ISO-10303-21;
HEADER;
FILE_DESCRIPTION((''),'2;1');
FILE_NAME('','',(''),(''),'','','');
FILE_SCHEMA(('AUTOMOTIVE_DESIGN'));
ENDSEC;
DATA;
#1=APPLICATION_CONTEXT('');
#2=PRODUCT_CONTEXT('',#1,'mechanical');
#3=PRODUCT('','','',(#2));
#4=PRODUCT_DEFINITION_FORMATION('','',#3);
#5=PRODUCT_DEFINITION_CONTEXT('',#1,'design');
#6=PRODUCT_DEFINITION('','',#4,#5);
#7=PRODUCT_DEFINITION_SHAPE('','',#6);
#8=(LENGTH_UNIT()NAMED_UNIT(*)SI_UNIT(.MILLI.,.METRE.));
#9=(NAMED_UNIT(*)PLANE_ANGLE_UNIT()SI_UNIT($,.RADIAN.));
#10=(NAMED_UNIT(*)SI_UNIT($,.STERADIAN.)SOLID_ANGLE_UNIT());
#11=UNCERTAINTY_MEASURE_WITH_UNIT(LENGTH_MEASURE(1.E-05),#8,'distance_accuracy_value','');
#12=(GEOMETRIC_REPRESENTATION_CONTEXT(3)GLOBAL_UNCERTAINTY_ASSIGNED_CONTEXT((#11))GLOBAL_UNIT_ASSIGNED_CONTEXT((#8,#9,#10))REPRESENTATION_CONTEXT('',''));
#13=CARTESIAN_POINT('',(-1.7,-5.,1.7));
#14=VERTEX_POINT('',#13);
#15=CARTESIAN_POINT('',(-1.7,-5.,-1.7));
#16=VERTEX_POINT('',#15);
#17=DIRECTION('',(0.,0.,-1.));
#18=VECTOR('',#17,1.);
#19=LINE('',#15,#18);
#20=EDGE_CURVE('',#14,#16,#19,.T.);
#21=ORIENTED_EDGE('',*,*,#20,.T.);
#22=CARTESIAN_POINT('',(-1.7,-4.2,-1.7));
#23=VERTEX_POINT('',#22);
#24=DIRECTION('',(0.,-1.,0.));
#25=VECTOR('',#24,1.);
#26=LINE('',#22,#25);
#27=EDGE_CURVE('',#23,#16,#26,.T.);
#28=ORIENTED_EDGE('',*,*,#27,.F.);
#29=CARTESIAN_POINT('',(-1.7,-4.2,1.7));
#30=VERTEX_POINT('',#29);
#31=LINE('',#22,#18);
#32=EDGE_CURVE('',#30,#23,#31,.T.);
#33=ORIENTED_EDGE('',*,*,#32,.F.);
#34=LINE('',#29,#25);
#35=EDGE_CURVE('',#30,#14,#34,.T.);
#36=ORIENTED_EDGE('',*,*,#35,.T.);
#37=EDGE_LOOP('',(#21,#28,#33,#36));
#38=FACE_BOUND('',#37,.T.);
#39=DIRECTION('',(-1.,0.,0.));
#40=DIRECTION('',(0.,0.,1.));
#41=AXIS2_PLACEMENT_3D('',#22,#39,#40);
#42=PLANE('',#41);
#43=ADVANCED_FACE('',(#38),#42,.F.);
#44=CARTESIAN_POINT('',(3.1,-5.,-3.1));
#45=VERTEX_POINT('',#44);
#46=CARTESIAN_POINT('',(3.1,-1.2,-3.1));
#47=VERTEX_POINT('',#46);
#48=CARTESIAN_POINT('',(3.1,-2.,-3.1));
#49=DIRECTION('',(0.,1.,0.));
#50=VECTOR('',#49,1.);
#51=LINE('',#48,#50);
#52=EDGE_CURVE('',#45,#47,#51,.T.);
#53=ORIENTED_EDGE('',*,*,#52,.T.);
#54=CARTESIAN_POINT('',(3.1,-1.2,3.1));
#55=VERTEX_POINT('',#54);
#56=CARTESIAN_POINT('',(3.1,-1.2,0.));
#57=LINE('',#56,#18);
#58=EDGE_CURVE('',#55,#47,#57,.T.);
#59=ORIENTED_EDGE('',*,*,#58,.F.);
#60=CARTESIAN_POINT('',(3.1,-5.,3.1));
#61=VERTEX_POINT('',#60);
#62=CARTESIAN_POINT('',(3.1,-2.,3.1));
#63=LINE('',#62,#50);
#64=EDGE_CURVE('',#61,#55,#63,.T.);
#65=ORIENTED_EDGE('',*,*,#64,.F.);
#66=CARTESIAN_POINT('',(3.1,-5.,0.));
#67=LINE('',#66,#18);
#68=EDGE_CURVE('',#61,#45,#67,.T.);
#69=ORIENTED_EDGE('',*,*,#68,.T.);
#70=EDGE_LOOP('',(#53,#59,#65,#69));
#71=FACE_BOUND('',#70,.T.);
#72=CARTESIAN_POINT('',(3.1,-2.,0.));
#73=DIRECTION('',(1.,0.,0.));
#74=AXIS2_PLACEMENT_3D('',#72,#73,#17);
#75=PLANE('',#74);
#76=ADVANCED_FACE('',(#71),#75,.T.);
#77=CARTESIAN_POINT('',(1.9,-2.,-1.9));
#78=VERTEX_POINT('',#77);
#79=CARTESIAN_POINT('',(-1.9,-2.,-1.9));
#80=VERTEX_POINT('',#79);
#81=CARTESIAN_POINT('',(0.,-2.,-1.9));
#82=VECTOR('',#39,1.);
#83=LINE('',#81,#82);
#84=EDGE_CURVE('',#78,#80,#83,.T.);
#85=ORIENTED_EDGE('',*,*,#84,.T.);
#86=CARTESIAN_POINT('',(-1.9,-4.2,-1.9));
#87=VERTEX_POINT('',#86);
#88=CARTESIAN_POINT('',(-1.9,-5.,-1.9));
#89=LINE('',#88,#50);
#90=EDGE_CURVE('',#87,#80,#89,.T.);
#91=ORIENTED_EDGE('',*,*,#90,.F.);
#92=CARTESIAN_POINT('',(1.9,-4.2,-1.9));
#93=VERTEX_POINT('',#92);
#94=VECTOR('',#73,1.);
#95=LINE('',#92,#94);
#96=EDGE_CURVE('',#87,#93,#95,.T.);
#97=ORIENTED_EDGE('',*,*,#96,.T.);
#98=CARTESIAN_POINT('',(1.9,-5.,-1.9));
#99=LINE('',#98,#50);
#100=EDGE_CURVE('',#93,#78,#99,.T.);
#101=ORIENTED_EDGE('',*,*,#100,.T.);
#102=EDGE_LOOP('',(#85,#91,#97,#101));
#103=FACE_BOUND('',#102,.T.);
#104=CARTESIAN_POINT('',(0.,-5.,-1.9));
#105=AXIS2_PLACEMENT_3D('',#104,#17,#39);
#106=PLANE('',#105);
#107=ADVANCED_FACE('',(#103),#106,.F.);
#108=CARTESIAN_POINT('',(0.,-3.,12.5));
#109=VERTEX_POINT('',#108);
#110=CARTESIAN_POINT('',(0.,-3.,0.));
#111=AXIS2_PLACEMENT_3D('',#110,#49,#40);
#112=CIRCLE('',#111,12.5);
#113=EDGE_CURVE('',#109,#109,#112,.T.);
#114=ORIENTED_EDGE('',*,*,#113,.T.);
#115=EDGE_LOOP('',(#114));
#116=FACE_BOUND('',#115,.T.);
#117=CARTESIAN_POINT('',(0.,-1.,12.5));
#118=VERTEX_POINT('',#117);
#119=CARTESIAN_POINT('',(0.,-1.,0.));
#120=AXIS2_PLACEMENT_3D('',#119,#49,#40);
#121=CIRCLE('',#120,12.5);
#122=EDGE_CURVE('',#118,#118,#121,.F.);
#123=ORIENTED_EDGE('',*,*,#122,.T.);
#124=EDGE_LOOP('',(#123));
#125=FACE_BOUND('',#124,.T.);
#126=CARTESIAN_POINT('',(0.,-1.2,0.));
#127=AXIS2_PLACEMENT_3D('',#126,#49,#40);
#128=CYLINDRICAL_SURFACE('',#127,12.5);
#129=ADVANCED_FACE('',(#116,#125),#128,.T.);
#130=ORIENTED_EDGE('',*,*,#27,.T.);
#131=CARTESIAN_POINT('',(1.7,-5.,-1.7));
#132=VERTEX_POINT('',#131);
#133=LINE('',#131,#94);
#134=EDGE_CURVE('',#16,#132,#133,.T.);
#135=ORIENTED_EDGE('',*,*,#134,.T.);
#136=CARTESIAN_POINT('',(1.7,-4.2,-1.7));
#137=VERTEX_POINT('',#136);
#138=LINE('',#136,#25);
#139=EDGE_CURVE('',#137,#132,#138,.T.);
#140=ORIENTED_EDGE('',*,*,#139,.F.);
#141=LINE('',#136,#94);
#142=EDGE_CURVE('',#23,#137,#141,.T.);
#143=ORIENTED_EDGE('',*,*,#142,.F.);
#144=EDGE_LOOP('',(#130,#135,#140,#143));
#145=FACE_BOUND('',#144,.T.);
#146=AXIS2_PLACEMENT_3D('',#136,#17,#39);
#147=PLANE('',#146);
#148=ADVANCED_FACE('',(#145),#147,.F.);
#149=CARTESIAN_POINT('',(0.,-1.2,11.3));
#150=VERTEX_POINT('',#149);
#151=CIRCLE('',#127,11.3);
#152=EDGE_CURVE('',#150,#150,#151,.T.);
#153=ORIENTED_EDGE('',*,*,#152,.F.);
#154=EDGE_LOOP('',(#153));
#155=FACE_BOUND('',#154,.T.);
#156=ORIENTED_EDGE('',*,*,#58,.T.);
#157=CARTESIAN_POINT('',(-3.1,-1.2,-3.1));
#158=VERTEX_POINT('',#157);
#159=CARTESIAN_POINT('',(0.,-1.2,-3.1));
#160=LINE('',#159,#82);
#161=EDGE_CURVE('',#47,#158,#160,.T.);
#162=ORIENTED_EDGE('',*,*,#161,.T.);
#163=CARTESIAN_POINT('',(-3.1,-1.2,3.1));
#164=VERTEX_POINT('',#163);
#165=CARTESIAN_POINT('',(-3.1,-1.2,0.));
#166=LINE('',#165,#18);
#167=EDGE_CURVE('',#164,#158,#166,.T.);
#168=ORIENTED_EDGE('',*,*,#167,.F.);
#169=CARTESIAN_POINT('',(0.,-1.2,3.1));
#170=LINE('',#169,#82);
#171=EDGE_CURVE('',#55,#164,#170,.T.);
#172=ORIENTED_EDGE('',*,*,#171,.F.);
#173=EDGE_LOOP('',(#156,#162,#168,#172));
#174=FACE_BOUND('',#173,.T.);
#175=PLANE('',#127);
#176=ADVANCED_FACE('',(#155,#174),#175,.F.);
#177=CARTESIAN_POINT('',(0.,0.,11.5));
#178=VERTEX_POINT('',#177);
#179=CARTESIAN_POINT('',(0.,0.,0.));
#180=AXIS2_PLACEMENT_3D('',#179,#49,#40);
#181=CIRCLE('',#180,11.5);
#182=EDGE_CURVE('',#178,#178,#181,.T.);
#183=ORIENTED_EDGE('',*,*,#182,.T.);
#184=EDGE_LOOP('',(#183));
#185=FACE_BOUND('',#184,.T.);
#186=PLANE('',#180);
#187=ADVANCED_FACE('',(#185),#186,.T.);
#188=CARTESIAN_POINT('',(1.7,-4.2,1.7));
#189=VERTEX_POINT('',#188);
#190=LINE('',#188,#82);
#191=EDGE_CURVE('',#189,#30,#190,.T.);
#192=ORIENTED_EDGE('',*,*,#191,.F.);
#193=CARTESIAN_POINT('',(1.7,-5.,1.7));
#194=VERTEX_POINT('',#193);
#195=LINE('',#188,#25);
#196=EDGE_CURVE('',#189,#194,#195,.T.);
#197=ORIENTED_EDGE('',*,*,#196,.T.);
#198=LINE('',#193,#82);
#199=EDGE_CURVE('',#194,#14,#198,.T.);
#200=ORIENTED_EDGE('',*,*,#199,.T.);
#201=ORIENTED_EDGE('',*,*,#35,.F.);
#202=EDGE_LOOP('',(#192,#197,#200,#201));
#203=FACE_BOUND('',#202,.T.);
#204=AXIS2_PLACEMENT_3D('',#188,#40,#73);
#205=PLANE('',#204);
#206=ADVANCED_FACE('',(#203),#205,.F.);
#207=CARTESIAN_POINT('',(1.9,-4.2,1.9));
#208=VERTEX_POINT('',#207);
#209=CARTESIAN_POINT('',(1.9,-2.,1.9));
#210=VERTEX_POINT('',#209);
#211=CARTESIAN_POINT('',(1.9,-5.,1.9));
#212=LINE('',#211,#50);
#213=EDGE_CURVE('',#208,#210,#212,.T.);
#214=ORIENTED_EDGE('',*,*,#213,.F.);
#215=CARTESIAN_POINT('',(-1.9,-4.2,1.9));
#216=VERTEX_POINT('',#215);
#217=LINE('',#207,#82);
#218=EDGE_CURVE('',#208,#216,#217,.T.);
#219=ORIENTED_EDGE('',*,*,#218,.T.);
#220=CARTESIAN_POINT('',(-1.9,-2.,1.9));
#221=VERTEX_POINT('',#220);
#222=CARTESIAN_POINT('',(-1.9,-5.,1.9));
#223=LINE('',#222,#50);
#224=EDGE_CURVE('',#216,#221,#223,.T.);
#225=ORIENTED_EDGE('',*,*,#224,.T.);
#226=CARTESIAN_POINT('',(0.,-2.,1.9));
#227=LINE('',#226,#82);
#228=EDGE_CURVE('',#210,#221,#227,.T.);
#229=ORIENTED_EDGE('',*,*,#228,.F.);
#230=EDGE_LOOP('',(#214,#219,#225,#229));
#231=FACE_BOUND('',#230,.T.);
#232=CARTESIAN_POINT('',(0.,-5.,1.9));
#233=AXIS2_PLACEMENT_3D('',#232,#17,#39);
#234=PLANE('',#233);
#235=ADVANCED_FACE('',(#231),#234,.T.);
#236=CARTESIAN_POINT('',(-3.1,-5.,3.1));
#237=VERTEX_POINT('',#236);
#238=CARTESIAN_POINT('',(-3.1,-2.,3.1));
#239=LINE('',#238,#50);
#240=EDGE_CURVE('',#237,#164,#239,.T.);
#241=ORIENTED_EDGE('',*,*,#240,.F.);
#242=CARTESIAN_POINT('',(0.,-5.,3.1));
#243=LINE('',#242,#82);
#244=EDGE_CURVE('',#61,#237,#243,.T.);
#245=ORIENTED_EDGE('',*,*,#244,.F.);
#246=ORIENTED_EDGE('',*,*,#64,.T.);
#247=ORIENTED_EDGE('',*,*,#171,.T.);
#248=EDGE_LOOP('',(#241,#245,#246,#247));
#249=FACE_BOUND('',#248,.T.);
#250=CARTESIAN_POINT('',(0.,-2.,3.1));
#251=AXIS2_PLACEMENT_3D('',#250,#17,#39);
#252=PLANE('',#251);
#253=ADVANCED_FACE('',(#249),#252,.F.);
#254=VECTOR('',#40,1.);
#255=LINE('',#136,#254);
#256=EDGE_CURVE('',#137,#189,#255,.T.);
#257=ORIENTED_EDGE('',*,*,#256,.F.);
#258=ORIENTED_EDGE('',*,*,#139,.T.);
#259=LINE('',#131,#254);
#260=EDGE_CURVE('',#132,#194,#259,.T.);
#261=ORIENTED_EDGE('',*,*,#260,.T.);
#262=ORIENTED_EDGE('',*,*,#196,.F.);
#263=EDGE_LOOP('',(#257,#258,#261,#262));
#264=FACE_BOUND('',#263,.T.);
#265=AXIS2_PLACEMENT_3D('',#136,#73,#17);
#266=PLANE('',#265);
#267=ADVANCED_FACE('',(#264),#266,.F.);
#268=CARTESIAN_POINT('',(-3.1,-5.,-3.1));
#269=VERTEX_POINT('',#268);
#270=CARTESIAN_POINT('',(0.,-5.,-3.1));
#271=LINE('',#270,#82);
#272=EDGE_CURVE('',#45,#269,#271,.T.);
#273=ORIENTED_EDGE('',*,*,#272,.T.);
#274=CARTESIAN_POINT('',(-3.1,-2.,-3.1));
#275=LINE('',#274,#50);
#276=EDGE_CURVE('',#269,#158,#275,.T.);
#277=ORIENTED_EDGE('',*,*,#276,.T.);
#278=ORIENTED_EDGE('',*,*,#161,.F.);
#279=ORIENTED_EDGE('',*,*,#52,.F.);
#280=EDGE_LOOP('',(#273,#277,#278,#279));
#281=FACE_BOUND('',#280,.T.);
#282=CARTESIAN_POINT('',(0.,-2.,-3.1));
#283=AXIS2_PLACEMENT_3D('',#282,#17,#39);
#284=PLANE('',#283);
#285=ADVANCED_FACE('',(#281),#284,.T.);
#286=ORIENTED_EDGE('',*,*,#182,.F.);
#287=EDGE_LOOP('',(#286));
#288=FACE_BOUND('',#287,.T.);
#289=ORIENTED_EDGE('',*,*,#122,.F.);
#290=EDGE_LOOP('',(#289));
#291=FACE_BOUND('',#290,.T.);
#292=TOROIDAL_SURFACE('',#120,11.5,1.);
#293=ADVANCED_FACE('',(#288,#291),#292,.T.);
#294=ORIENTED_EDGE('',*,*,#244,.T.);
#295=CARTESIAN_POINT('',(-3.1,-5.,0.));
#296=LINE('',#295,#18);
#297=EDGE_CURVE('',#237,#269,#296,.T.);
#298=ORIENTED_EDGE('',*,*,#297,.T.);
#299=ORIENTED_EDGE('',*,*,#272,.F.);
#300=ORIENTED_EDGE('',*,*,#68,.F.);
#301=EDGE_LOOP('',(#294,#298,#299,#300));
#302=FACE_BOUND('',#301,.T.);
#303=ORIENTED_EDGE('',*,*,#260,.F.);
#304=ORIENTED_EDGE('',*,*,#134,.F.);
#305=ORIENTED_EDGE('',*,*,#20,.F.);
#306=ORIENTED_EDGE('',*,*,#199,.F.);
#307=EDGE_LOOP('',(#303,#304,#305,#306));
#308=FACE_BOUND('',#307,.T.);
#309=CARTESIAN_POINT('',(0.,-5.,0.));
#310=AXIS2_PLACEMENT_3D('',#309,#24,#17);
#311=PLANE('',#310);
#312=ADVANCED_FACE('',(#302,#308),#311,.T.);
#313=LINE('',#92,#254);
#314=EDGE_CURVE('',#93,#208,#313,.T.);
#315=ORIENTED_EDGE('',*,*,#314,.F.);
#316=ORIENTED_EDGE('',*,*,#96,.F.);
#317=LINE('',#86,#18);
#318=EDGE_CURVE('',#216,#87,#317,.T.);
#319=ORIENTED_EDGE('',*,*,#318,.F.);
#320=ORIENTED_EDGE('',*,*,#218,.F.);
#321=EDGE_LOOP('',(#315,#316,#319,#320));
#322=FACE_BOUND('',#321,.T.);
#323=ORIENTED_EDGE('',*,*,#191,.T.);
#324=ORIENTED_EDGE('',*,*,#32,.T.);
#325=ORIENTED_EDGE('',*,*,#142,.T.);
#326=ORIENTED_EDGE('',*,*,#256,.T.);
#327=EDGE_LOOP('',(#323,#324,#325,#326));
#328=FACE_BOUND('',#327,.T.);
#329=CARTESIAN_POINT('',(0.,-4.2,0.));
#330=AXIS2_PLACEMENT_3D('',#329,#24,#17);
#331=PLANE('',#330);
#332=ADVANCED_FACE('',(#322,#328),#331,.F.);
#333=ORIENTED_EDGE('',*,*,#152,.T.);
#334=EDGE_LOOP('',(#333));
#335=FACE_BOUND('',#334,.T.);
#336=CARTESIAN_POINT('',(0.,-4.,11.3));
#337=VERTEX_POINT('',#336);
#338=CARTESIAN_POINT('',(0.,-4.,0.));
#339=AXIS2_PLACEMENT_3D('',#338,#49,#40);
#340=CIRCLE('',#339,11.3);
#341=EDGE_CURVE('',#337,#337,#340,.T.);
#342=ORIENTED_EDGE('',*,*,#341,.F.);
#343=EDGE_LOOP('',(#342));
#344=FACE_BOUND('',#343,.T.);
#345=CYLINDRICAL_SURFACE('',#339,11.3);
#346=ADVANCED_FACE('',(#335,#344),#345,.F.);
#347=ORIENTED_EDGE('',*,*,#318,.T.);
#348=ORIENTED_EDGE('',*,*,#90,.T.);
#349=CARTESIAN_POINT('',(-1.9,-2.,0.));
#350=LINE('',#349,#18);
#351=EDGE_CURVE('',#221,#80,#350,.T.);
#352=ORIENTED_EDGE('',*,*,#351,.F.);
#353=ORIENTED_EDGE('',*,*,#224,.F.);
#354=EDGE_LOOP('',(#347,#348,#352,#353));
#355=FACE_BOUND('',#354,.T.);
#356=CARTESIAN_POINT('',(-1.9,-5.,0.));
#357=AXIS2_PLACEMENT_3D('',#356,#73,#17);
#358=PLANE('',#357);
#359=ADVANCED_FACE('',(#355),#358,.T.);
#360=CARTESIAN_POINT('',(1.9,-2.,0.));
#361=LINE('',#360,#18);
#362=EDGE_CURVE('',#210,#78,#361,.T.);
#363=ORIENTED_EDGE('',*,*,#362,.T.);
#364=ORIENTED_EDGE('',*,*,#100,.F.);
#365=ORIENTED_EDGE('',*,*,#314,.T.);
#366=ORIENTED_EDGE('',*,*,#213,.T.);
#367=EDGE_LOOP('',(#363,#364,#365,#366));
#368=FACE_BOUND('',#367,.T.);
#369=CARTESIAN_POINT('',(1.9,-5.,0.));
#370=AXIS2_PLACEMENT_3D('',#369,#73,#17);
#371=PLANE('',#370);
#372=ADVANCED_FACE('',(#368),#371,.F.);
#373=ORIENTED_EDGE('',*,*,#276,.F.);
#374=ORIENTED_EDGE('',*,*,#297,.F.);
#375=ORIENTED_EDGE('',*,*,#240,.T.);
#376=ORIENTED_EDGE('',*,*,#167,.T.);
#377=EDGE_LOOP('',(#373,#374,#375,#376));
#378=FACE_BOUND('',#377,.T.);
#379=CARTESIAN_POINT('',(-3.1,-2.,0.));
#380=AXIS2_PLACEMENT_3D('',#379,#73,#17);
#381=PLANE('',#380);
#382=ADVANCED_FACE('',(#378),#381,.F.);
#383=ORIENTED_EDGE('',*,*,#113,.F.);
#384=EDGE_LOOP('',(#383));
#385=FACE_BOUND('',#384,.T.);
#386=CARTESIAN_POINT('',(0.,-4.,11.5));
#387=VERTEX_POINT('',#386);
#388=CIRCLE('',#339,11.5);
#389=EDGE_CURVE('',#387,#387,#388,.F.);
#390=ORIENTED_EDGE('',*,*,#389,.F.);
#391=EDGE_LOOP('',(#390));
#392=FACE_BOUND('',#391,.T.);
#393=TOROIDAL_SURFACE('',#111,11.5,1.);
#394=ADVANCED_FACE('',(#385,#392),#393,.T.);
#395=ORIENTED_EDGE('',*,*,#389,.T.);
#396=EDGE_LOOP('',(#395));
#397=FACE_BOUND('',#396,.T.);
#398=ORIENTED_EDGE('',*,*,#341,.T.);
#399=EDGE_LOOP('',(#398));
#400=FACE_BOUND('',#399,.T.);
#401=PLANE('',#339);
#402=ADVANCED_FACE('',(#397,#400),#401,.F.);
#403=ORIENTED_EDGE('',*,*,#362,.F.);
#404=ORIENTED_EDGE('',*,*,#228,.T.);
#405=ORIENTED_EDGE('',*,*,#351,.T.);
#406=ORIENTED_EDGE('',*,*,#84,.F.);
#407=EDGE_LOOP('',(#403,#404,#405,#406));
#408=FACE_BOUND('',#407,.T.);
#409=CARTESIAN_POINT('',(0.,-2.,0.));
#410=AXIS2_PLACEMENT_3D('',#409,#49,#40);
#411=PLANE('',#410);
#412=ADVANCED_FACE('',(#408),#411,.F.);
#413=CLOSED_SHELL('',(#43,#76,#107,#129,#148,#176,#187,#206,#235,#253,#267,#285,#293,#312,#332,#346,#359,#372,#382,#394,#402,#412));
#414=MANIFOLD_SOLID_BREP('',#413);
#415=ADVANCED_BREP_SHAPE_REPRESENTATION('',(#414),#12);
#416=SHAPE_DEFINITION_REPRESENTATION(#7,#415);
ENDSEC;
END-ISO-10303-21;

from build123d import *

# Parameters (mm, degrees)
SKETCH_1_R      = 12.5
EXTRUDE_1_DEPTH = 1.2
SKETCH_1_3_R    = 12.5
SKETCH_1_3_R_2  = 11.3
EXTRUDE_2_DEPTH = 4
SKETCH_1_5_W    = 6.2
SKETCH_1_5_H    = 6.2
EXTRUDE_3_DEPTH = 2
EXTRUDE_START   = -2
SKETCH_1_6_W    = 6.2
SKETCH_1_6_H    = 6.2
SKETCH_1_6_W_2  = 3.8
SKETCH_1_6_H_2  = 3.8
EXTRUDE_4_DEPTH = 3
FILLET_1_R      = 1
SKETCH_2_W      = 3.8
SKETCH_2_H      = 3.8
SKETCH_2_W_2    = 3.4
SKETCH_2_H_2    = 3.4
EXTRUDE_5_DEPTH = 0.8


with BuildPart() as part:
    # Эскиз1 → Бобышка-Вытянуть1 (new body)
    with BuildSketch(Plane(origin=(0, 0, 0), x_dir=(1, 0, 0), z_dir=(0, 1, 0))):
        Circle(SKETCH_1_R)
    extrude(amount=-EXTRUDE_1_DEPTH)

    # Эскиз1<3> → Бобышка-Вытянуть2 (add)
    with BuildSketch(Plane(origin=(0, 0, 0), x_dir=(1, 0, 0), z_dir=(0, 1, 0))):
        Circle(SKETCH_1_3_R)
        Circle(SKETCH_1_3_R_2, mode=Mode.SUBTRACT)
    extrude(amount=-EXTRUDE_2_DEPTH)

    # Эскиз1<5> → Бобышка-Вытянуть3 (add)
    with BuildSketch(Plane(origin=(0, 0, 0), x_dir=(1, 0, 0), z_dir=(0, 1, 0))):
        Rectangle(SKETCH_1_5_W, SKETCH_1_5_H)
    extrude(amount=-EXTRUDE_3_DEPTH)

    # Эскиз1<6> → Бобышка-Вытянуть4 (add)
    with BuildSketch(Plane(origin=(0, 0, 0), x_dir=(1, 0, 0), z_dir=(0, 1, 0)).offset(EXTRUDE_START)):
        Rectangle(SKETCH_1_6_W, SKETCH_1_6_H)
        Rectangle(SKETCH_1_6_W_2, SKETCH_1_6_H_2, mode=Mode.SUBTRACT)
    extrude(amount=-EXTRUDE_4_DEPTH)

    # Скругление1
    fillet_1_edges = [part.edges().sort_by_distance(p)[0] for p in [
        (-12.5, 0, 0),
        (-12.5, -4, 0),
    ]]
    fillet(fillet_1_edges, radius=FILLET_1_R)

    # Эскиз2 → Бобышка-Вытянуть5 (add)
    with BuildSketch(Plane.XZ.offset(5)):
        Rectangle(SKETCH_2_W, SKETCH_2_H)
        Rectangle(SKETCH_2_W_2, SKETCH_2_H_2, mode=Mode.SUBTRACT)
    extrude(amount=-EXTRUDE_5_DEPTH)


solid = part.part
